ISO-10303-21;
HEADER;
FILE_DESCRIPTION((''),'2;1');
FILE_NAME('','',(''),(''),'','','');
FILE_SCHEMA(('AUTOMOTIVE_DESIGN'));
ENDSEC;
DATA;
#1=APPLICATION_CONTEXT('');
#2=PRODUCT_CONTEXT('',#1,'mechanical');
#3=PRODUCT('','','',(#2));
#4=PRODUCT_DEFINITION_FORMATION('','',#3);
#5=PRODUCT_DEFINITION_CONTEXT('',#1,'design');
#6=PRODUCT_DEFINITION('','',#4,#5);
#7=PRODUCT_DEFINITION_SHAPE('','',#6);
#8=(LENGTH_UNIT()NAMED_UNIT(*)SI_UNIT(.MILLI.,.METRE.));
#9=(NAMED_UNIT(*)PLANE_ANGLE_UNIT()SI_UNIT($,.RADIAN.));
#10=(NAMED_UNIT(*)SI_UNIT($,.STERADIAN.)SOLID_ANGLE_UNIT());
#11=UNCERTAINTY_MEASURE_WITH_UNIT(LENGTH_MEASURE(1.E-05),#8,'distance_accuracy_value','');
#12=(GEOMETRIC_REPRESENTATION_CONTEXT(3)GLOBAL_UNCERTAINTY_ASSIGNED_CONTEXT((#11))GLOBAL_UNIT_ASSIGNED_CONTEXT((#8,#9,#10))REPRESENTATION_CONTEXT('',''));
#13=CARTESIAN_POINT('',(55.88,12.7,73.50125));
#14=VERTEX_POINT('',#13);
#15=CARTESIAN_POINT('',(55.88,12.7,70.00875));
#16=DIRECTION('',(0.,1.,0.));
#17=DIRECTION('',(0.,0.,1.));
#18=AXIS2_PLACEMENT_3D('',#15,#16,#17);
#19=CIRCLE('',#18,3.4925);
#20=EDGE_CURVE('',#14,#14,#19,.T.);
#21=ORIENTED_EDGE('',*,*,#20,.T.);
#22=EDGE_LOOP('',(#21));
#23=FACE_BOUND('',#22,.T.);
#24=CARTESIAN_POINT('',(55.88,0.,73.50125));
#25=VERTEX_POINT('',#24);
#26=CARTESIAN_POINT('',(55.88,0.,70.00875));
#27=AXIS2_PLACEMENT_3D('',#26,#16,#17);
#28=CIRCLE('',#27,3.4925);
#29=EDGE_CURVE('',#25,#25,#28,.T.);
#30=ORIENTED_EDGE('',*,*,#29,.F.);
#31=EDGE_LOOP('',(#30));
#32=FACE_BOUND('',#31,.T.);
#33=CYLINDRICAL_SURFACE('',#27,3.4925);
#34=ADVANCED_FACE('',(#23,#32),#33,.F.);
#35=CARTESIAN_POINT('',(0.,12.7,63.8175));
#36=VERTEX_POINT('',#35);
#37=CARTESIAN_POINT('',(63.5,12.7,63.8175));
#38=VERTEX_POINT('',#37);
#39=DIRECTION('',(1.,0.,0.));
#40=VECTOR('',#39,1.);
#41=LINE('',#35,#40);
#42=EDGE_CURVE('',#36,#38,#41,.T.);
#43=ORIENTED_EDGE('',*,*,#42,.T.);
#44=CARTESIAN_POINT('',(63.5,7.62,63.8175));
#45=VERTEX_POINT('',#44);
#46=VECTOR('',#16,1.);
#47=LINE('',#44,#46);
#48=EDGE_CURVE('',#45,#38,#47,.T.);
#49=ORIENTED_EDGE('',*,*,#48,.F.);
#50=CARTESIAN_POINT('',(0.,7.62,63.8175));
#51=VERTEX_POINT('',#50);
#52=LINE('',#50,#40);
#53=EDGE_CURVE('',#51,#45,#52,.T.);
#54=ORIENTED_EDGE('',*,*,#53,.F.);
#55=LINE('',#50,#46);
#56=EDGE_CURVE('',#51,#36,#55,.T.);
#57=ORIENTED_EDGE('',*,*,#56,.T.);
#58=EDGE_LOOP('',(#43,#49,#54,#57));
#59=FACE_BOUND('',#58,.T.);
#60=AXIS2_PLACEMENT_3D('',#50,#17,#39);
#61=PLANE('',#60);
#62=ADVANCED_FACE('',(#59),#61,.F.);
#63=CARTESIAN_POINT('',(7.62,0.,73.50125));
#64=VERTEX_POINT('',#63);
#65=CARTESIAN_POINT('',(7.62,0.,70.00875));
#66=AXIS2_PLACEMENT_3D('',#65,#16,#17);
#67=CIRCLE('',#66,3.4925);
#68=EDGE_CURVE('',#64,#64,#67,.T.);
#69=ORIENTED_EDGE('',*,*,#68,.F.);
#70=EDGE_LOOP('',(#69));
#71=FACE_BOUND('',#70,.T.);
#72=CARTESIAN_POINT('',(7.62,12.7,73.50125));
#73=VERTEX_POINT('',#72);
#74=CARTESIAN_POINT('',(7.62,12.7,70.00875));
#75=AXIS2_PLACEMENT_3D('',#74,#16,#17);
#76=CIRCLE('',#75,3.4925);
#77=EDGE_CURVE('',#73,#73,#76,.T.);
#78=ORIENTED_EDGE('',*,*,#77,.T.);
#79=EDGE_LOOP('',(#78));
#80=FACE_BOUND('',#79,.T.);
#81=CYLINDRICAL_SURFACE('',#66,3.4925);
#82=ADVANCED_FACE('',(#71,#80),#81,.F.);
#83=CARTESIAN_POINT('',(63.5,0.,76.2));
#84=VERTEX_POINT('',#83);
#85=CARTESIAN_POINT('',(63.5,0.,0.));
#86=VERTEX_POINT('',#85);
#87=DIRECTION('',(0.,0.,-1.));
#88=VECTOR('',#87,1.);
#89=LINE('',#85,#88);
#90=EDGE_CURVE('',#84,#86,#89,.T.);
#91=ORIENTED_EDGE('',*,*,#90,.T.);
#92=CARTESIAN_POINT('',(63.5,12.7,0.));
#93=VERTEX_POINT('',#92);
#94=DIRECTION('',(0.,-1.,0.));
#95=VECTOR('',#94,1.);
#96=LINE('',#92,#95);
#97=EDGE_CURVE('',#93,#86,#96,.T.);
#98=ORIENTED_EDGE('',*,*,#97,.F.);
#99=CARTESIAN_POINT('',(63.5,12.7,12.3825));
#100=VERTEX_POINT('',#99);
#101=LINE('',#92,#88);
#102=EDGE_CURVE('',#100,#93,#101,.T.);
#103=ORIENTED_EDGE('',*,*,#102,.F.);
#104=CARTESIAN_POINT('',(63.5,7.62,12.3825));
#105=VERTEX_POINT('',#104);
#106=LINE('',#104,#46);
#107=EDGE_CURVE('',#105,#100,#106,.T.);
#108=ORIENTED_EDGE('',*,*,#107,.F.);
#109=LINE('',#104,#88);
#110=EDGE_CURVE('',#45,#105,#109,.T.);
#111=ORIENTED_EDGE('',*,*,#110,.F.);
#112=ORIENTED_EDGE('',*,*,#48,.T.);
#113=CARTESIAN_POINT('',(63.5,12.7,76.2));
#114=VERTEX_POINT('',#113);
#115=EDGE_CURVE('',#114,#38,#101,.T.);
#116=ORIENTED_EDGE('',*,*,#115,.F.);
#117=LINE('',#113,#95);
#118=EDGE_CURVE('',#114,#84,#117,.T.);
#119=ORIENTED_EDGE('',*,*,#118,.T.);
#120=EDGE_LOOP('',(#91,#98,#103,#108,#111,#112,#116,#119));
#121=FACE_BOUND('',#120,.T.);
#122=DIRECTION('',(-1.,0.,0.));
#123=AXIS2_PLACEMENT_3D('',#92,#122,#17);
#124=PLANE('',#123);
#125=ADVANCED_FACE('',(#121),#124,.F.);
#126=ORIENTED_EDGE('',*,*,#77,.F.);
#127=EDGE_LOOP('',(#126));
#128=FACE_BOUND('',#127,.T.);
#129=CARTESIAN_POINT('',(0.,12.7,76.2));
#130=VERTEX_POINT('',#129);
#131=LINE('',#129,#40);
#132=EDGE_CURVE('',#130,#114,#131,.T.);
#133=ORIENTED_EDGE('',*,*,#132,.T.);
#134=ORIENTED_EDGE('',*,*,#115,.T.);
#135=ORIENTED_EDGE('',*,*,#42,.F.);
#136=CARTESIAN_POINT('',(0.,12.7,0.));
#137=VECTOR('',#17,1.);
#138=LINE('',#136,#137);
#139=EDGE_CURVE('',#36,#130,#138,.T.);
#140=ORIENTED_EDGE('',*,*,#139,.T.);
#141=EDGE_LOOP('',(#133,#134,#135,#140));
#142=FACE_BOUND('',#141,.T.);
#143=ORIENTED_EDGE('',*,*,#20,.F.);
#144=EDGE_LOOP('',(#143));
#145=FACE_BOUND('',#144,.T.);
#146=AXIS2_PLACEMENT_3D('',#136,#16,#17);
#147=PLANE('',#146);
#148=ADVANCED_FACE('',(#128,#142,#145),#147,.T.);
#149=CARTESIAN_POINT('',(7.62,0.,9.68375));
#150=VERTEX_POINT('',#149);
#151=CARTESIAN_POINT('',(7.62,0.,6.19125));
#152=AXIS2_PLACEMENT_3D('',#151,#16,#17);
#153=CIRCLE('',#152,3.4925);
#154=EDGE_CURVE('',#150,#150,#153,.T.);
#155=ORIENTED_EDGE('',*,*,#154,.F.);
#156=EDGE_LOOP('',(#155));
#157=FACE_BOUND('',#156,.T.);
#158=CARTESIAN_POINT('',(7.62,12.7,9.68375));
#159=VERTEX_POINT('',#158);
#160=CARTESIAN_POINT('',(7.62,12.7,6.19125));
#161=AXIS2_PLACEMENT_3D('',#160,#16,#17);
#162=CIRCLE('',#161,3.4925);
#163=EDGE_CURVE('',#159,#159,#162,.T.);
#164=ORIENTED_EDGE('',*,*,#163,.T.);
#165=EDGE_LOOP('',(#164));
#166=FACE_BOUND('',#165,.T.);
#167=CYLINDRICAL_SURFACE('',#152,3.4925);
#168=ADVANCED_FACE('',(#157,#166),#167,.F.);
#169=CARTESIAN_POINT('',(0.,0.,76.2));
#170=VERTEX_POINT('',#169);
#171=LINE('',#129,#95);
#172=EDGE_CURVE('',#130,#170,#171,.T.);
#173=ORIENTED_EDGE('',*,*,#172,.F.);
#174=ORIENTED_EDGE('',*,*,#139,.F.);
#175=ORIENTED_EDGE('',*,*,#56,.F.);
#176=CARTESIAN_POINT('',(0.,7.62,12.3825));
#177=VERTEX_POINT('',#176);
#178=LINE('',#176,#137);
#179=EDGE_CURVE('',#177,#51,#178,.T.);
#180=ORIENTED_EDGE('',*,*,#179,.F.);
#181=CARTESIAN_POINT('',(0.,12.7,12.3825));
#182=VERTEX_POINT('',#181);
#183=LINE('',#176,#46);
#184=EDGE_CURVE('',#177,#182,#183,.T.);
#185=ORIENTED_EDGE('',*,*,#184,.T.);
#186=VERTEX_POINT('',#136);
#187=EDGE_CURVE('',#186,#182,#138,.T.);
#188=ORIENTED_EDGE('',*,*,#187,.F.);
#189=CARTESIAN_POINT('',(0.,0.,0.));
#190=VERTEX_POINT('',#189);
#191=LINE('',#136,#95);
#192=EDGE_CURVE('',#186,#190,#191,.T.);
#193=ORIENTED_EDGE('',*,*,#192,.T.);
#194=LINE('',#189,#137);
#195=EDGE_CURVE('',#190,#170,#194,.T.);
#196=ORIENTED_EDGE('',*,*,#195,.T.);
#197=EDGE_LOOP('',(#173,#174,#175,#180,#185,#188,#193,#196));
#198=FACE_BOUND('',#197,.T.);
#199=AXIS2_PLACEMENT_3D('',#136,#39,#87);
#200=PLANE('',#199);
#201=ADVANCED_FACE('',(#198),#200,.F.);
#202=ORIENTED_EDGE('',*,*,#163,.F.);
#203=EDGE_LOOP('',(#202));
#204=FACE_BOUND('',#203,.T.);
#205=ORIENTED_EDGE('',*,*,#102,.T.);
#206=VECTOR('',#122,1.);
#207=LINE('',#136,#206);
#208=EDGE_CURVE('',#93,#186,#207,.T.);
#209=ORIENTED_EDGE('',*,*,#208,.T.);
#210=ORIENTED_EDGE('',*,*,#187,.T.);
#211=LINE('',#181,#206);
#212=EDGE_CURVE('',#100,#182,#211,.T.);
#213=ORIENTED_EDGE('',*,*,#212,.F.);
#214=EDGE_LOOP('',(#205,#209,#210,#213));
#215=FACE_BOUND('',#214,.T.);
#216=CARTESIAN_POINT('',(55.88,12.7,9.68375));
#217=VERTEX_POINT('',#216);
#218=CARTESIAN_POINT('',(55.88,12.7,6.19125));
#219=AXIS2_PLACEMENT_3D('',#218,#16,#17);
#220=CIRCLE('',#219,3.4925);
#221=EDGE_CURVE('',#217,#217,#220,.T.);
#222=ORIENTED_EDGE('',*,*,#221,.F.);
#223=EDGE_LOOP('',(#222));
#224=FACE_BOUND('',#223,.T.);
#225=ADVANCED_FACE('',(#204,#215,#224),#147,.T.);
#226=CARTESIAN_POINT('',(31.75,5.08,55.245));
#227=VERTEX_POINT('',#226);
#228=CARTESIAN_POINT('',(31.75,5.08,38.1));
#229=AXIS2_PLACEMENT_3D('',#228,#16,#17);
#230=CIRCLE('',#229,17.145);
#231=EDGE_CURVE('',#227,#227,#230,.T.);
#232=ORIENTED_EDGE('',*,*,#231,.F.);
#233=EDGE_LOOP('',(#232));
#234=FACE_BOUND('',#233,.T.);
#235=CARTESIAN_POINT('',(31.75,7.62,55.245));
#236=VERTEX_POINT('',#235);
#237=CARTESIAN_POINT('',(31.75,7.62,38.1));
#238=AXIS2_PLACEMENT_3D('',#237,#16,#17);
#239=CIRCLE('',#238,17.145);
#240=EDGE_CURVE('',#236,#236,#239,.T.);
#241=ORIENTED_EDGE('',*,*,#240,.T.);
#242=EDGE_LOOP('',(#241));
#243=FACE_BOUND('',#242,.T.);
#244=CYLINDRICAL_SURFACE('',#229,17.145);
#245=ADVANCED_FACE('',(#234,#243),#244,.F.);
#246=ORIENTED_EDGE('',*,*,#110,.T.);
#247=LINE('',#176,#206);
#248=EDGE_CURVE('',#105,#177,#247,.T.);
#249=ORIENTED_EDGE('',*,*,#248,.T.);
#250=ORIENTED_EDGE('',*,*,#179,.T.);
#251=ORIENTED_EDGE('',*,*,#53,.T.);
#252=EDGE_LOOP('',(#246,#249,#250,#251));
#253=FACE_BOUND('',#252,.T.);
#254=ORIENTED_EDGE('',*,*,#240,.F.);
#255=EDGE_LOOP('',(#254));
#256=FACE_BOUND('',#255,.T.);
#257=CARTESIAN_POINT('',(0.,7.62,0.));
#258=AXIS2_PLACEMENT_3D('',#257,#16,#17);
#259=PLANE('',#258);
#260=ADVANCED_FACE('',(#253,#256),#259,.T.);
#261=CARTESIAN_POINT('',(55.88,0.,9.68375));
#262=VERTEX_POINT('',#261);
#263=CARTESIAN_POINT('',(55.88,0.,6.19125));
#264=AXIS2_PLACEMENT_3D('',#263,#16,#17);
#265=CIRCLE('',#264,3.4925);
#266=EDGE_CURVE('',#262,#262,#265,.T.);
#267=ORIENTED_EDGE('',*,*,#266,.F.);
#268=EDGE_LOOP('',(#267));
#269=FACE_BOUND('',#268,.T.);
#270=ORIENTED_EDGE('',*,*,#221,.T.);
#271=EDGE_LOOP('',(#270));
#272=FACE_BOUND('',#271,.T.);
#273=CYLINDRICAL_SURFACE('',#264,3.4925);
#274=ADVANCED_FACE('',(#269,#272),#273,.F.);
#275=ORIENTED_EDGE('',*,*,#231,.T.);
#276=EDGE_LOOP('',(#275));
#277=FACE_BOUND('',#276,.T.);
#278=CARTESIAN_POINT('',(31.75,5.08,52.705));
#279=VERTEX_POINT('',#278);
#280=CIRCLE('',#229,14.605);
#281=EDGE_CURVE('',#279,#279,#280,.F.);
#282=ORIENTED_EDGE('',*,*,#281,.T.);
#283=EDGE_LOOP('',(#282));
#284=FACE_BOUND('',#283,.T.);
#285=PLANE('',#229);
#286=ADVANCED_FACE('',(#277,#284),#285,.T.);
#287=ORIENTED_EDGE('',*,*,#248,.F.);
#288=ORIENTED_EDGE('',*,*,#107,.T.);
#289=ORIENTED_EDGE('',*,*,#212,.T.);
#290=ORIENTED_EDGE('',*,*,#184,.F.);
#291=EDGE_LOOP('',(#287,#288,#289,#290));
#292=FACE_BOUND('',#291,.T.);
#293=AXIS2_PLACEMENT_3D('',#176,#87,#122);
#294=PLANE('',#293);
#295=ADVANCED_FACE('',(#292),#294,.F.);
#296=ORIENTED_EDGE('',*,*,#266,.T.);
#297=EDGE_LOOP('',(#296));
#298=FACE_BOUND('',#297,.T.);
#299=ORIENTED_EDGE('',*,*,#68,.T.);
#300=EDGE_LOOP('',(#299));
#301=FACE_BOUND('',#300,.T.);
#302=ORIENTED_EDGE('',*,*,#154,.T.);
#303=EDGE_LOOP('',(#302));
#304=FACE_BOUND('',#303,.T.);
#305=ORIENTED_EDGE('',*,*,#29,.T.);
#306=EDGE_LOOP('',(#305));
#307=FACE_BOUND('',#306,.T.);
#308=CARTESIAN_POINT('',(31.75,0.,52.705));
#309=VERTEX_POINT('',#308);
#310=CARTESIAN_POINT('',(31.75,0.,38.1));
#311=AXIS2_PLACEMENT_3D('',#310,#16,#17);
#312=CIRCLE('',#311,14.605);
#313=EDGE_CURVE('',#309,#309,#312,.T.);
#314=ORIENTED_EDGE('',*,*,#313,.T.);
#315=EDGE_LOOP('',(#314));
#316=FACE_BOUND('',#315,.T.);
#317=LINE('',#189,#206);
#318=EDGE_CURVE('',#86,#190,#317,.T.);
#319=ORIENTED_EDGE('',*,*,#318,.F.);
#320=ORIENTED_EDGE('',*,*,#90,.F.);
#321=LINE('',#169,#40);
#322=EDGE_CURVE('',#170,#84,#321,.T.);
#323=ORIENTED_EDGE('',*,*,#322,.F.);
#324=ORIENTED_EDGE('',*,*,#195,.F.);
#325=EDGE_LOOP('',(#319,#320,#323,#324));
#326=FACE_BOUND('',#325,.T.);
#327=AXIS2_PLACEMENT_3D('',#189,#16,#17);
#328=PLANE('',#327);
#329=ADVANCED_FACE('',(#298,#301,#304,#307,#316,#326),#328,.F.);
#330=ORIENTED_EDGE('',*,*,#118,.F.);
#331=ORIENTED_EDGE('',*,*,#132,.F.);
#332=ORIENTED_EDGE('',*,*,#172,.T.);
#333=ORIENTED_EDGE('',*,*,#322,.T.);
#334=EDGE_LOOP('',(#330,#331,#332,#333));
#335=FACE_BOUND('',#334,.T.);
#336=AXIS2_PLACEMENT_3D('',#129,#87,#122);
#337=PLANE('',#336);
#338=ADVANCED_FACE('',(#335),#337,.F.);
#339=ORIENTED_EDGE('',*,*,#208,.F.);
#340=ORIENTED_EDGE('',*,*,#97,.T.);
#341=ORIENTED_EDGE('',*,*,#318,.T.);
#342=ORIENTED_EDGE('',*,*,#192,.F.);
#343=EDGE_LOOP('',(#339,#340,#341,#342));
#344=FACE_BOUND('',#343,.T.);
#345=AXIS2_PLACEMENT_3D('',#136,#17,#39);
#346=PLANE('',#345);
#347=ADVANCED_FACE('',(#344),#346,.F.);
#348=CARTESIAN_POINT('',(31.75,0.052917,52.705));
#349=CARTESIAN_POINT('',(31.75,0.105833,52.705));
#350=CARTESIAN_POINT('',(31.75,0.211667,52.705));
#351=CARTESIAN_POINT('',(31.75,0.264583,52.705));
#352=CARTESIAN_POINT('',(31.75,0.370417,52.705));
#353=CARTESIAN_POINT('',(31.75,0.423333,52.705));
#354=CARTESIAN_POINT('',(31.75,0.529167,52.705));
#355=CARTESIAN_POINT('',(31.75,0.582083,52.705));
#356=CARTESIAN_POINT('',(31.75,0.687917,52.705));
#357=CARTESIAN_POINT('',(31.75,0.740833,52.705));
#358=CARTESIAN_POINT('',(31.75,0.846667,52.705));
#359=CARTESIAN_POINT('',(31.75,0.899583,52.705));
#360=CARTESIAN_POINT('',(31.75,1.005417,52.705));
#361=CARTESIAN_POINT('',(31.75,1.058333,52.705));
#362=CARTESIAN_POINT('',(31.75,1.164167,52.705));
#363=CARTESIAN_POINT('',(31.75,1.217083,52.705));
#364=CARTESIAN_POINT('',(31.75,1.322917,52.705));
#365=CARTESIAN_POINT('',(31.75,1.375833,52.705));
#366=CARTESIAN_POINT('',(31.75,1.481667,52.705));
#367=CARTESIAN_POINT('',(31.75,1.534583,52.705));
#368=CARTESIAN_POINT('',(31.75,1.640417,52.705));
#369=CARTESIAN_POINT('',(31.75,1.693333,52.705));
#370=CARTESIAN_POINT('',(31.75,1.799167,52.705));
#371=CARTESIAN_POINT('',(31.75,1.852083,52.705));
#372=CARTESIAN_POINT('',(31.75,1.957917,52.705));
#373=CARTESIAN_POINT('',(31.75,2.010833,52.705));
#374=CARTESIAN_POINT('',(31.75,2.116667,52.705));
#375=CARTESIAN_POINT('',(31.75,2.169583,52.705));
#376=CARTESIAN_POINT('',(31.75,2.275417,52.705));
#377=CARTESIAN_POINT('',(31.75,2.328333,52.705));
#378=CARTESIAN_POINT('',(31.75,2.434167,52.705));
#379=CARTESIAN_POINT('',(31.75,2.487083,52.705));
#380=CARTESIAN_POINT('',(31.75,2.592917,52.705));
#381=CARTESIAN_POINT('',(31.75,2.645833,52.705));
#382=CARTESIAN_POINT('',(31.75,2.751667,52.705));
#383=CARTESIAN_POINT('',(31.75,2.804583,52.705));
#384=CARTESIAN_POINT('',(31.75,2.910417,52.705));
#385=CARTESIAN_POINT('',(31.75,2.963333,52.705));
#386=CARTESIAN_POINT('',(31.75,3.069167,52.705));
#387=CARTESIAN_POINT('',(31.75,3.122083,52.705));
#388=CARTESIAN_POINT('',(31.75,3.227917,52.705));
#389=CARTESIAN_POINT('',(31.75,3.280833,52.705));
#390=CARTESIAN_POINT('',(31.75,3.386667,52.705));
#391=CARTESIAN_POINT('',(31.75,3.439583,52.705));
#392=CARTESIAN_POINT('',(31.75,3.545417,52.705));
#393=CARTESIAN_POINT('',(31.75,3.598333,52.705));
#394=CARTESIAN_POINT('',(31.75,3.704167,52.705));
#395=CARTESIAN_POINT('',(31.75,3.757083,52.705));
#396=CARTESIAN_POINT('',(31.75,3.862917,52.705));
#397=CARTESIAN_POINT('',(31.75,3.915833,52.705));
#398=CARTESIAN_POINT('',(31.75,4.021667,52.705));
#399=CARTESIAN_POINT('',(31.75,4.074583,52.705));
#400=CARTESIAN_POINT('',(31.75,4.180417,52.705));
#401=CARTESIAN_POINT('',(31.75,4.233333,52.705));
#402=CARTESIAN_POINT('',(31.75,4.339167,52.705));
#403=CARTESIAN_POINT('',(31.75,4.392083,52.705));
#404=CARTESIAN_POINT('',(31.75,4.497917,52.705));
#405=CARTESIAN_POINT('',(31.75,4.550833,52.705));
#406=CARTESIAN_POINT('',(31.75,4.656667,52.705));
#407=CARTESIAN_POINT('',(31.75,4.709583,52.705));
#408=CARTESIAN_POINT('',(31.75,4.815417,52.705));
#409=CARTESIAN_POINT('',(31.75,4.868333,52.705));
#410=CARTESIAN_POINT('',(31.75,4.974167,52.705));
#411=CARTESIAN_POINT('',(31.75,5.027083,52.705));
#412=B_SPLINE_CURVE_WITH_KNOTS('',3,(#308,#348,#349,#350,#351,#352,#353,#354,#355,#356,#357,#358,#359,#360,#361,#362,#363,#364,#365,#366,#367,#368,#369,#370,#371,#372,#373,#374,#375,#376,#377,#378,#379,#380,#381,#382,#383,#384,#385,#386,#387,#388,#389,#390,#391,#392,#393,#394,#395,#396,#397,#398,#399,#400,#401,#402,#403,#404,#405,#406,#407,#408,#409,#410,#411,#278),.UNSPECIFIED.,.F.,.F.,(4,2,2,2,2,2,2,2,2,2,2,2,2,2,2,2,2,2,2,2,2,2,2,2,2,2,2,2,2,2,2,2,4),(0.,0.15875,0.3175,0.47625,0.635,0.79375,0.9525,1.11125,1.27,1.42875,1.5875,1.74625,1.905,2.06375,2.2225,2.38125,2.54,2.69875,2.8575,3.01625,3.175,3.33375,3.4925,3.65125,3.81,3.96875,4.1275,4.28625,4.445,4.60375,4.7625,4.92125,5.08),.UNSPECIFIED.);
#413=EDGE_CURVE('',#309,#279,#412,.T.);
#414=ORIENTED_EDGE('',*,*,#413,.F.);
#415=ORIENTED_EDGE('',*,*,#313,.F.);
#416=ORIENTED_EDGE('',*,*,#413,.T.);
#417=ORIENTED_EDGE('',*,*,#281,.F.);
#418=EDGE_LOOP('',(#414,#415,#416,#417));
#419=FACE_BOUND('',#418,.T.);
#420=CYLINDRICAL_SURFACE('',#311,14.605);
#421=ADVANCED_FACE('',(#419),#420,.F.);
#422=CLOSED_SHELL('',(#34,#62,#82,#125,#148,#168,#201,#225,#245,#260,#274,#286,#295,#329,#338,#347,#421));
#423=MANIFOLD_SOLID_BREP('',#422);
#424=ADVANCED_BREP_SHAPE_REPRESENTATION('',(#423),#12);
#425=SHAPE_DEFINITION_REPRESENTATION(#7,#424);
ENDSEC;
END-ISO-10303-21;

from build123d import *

# Parameters (mm, degrees)
SKETCH1_W           = 63.5
SKETCH1_H           = 76.2
BOSS_EXTRUDE1_DEPTH = 12.7
SKETCH2_W           = 63.5
SKETCH2_H           = 51.435
CUT_EXTRUDE1_DEPTH  = 5.08
SKETCH3_R           = 14.605
CUT_EXTRUDE2_DEPTH  = 7.62
SKETCH4_R           = 3.4925
CUT_EXTRUDE4_DEPTH  = 12.7
SKETCH6_R           = 17.145
CUT_EXTRUDE6_DEPTH  = 2.54


with BuildPart() as part:
    # Sketch1 → Boss-Extrude1 (new body)
    with BuildSketch(Plane(origin=(0, 0, 0), x_dir=(1, 0, 0), z_dir=(0, 1, 0))):
        with Locations((31.75, -38.1)):
            Rectangle(SKETCH1_W, SKETCH1_H)
    extrude(amount=BOSS_EXTRUDE1_DEPTH)

    # Sketch2 → Cut-Extrude1 (cut)
    with BuildSketch(Plane(origin=(0, 12.7, 0), x_dir=(1, 0, 0), z_dir=(0, 1, 0))):
        with Locations((31.75, -38.1)):
            Rectangle(SKETCH2_W, SKETCH2_H)
    extrude(amount=-CUT_EXTRUDE1_DEPTH, mode=Mode.SUBTRACT)

    # Sketch3 → Cut-Extrude2 (cut)
    with BuildSketch(Plane(origin=(0, 7.62, 0), x_dir=(1, 0, 0), z_dir=(0, 1, 0))):
        with Locations(Location((31.75, -38.1, 0), (0, 0, 270))):
            Circle(SKETCH3_R)
    extrude(amount=-CUT_EXTRUDE2_DEPTH, mode=Mode.SUBTRACT)

    # Sketch4 → Cut-Extrude4 (cut)
    with BuildSketch(Plane(origin=(0, 12.7, 0), x_dir=(1, 0, 0), z_dir=(0, 1, 0))):
        with Locations(Location((7.62, -6.19125, 0), (0, 0, 270))):
            Circle(SKETCH4_R)
        with Locations(Location((55.88, -6.19125, 0), (0, 0, 270))):
            Circle(SKETCH4_R)
        with Locations(Location((7.62, -70.00875, 0), (0, 0, 270))):
            Circle(SKETCH4_R)
        with Locations(Location((55.88, -70.00875, 0), (0, 0, 270))):
            Circle(SKETCH4_R)
    extrude(amount=-CUT_EXTRUDE4_DEPTH, mode=Mode.SUBTRACT)

    # Sketch6 → Cut-Extrude6 (cut)
    with BuildSketch(Plane(origin=(0, 7.62, 0), x_dir=(1, 0, 0), z_dir=(0, 1, 0))):
        with Locations(Location((31.75, -38.1, 0), (0, 0, 270))):
            Circle(SKETCH6_R)
    extrude(amount=-CUT_EXTRUDE6_DEPTH, mode=Mode.SUBTRACT)


solid = part.part
